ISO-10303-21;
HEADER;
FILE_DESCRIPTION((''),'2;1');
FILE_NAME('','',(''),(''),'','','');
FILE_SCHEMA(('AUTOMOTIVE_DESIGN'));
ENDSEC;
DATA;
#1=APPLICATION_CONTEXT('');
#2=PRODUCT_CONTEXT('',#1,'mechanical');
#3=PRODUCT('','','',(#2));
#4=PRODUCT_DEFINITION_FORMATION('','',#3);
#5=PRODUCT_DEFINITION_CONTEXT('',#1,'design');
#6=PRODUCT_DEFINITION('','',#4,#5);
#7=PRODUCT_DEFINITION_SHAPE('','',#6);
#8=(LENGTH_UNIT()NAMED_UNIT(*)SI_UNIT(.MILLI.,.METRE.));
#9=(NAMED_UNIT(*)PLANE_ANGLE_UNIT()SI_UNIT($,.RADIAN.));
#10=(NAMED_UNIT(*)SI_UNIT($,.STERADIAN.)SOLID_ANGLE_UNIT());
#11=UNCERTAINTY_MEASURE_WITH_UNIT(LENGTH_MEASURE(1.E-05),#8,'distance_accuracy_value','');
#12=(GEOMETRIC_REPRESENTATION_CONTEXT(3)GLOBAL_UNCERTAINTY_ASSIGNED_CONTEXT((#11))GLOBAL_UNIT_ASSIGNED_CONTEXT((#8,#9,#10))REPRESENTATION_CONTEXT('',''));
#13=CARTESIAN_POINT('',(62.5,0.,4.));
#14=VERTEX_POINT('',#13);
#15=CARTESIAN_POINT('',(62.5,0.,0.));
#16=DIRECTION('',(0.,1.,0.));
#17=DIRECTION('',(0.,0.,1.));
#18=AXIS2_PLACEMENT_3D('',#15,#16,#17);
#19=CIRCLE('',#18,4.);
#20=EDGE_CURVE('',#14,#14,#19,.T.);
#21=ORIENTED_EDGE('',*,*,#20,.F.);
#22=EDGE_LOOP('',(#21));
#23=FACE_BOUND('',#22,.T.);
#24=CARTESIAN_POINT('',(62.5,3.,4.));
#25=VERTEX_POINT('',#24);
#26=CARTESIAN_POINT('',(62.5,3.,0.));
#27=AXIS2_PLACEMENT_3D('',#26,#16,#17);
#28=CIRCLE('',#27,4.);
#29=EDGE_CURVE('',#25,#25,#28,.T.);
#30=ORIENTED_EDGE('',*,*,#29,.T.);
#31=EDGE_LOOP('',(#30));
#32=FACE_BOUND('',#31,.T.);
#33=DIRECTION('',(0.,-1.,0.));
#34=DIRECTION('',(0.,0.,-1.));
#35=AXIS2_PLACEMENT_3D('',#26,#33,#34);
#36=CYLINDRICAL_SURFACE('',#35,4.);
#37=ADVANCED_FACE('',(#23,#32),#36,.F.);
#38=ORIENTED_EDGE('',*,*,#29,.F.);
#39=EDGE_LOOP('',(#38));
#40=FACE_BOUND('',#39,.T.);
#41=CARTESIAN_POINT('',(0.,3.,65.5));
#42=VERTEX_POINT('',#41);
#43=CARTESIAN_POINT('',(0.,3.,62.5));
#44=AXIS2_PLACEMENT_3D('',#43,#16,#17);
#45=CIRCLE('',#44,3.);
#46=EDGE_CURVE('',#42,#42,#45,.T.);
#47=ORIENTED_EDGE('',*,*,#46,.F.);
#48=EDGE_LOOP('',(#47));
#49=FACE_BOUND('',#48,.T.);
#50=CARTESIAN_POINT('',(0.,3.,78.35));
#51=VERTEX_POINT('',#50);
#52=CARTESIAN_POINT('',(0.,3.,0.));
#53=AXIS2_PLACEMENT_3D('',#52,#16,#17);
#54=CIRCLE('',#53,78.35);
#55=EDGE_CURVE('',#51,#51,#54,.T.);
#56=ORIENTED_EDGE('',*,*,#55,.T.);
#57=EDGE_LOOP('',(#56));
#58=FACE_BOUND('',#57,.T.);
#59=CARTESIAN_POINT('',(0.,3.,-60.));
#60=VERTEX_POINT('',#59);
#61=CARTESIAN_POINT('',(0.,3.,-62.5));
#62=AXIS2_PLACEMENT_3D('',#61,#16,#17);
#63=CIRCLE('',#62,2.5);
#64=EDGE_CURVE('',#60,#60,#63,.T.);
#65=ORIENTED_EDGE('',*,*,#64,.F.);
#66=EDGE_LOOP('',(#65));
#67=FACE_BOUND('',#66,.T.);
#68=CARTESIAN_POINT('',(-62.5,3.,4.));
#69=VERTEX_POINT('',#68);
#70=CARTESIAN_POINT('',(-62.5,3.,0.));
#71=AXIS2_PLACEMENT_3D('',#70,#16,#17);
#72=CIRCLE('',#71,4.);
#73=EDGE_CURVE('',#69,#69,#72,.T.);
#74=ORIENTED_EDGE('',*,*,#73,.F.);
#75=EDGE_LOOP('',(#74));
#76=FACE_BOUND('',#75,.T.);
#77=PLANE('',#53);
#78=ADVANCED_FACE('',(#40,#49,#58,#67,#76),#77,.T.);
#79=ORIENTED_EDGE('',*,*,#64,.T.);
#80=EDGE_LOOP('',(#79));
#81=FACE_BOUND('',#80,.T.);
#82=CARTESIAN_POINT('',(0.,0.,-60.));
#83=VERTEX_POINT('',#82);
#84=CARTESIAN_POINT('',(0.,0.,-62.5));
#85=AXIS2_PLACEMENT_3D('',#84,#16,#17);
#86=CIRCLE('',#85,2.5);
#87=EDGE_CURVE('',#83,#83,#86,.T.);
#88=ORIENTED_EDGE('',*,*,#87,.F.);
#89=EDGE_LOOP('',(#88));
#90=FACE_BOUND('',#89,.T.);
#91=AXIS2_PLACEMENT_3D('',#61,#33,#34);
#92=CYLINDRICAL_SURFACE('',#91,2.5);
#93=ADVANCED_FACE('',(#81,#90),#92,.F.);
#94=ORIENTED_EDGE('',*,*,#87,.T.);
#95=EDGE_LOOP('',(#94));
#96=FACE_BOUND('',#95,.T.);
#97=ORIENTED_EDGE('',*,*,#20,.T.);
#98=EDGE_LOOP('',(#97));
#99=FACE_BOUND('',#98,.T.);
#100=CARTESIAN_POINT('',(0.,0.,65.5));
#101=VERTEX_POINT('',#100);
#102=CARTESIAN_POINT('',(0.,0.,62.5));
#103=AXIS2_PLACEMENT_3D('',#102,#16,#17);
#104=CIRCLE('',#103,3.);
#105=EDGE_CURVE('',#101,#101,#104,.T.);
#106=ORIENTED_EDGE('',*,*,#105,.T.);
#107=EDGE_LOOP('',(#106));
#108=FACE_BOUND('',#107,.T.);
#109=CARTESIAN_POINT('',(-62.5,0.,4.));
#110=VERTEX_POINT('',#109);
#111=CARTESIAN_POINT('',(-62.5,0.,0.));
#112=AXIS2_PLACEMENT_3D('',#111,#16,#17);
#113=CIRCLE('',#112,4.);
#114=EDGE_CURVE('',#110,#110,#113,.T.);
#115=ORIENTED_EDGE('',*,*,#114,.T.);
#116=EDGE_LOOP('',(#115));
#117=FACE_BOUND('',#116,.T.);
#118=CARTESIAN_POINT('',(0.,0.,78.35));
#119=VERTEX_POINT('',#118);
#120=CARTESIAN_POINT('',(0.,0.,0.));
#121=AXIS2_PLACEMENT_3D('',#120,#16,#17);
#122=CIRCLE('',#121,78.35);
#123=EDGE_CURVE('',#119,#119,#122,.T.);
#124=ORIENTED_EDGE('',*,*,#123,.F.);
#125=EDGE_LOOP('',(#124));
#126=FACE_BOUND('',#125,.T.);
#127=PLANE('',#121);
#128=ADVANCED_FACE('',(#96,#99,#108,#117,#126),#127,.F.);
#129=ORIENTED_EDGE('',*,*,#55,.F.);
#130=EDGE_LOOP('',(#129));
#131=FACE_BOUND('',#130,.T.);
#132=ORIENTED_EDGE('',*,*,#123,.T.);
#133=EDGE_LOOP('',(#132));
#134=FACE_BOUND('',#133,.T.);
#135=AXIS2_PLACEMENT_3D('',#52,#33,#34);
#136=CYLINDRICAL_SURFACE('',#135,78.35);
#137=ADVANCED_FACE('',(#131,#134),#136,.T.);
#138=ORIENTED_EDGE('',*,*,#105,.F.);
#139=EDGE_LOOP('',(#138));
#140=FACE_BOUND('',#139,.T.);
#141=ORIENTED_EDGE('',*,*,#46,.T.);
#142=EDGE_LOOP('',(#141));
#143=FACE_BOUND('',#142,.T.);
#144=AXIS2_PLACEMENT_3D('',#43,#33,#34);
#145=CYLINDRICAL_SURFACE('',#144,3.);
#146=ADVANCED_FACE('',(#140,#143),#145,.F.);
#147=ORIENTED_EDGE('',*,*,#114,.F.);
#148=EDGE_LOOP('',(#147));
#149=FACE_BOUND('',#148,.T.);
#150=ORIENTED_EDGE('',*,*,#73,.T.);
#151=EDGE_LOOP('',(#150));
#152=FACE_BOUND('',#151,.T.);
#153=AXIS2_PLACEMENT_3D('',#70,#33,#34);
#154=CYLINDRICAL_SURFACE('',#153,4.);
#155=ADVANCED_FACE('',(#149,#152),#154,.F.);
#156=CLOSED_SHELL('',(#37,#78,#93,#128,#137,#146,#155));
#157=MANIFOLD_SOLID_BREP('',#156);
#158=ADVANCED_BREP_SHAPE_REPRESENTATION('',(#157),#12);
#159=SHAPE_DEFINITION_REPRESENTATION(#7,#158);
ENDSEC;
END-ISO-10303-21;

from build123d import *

# Parameters (mm, degrees)
SKETCH1_R           = 78.35
SKETCH1_R_2         = 4
SKETCH1_R_3         = 3
SKETCH1_R_4         = 2.5
BOSS_EXTRUDE1_DEPTH = 3


with BuildPart() as part:
    # Sketch1 → Boss-Extrude1 (new body)
    with BuildSketch(Plane(origin=(0, 0, 0), x_dir=(1, 0, 0), z_dir=(0, 1, 0))):
        with Locations(Location((0, 0, 0), (0, 0, 270))):
            Circle(SKETCH1_R)
        with Locations(Location((-62.5, 0, 0), (0, 0, 270))):
            Circle(SKETCH1_R_2, mode=Mode.SUBTRACT)
        with Locations(Location((0, -62.5, 0), (0, 0, 270))):
            Circle(SKETCH1_R_3, mode=Mode.SUBTRACT)
        with Locations(Location((0, 62.5, 0), (0, 0, 270))):
            Circle(SKETCH1_R_4, mode=Mode.SUBTRACT)
        with Locations(Location((62.5, 0, 0), (0, 0, 270))):
            Circle(SKETCH1_R_2, mode=Mode.SUBTRACT)
    extrude(amount=BOSS_EXTRUDE1_DEPTH)


solid = part.part
